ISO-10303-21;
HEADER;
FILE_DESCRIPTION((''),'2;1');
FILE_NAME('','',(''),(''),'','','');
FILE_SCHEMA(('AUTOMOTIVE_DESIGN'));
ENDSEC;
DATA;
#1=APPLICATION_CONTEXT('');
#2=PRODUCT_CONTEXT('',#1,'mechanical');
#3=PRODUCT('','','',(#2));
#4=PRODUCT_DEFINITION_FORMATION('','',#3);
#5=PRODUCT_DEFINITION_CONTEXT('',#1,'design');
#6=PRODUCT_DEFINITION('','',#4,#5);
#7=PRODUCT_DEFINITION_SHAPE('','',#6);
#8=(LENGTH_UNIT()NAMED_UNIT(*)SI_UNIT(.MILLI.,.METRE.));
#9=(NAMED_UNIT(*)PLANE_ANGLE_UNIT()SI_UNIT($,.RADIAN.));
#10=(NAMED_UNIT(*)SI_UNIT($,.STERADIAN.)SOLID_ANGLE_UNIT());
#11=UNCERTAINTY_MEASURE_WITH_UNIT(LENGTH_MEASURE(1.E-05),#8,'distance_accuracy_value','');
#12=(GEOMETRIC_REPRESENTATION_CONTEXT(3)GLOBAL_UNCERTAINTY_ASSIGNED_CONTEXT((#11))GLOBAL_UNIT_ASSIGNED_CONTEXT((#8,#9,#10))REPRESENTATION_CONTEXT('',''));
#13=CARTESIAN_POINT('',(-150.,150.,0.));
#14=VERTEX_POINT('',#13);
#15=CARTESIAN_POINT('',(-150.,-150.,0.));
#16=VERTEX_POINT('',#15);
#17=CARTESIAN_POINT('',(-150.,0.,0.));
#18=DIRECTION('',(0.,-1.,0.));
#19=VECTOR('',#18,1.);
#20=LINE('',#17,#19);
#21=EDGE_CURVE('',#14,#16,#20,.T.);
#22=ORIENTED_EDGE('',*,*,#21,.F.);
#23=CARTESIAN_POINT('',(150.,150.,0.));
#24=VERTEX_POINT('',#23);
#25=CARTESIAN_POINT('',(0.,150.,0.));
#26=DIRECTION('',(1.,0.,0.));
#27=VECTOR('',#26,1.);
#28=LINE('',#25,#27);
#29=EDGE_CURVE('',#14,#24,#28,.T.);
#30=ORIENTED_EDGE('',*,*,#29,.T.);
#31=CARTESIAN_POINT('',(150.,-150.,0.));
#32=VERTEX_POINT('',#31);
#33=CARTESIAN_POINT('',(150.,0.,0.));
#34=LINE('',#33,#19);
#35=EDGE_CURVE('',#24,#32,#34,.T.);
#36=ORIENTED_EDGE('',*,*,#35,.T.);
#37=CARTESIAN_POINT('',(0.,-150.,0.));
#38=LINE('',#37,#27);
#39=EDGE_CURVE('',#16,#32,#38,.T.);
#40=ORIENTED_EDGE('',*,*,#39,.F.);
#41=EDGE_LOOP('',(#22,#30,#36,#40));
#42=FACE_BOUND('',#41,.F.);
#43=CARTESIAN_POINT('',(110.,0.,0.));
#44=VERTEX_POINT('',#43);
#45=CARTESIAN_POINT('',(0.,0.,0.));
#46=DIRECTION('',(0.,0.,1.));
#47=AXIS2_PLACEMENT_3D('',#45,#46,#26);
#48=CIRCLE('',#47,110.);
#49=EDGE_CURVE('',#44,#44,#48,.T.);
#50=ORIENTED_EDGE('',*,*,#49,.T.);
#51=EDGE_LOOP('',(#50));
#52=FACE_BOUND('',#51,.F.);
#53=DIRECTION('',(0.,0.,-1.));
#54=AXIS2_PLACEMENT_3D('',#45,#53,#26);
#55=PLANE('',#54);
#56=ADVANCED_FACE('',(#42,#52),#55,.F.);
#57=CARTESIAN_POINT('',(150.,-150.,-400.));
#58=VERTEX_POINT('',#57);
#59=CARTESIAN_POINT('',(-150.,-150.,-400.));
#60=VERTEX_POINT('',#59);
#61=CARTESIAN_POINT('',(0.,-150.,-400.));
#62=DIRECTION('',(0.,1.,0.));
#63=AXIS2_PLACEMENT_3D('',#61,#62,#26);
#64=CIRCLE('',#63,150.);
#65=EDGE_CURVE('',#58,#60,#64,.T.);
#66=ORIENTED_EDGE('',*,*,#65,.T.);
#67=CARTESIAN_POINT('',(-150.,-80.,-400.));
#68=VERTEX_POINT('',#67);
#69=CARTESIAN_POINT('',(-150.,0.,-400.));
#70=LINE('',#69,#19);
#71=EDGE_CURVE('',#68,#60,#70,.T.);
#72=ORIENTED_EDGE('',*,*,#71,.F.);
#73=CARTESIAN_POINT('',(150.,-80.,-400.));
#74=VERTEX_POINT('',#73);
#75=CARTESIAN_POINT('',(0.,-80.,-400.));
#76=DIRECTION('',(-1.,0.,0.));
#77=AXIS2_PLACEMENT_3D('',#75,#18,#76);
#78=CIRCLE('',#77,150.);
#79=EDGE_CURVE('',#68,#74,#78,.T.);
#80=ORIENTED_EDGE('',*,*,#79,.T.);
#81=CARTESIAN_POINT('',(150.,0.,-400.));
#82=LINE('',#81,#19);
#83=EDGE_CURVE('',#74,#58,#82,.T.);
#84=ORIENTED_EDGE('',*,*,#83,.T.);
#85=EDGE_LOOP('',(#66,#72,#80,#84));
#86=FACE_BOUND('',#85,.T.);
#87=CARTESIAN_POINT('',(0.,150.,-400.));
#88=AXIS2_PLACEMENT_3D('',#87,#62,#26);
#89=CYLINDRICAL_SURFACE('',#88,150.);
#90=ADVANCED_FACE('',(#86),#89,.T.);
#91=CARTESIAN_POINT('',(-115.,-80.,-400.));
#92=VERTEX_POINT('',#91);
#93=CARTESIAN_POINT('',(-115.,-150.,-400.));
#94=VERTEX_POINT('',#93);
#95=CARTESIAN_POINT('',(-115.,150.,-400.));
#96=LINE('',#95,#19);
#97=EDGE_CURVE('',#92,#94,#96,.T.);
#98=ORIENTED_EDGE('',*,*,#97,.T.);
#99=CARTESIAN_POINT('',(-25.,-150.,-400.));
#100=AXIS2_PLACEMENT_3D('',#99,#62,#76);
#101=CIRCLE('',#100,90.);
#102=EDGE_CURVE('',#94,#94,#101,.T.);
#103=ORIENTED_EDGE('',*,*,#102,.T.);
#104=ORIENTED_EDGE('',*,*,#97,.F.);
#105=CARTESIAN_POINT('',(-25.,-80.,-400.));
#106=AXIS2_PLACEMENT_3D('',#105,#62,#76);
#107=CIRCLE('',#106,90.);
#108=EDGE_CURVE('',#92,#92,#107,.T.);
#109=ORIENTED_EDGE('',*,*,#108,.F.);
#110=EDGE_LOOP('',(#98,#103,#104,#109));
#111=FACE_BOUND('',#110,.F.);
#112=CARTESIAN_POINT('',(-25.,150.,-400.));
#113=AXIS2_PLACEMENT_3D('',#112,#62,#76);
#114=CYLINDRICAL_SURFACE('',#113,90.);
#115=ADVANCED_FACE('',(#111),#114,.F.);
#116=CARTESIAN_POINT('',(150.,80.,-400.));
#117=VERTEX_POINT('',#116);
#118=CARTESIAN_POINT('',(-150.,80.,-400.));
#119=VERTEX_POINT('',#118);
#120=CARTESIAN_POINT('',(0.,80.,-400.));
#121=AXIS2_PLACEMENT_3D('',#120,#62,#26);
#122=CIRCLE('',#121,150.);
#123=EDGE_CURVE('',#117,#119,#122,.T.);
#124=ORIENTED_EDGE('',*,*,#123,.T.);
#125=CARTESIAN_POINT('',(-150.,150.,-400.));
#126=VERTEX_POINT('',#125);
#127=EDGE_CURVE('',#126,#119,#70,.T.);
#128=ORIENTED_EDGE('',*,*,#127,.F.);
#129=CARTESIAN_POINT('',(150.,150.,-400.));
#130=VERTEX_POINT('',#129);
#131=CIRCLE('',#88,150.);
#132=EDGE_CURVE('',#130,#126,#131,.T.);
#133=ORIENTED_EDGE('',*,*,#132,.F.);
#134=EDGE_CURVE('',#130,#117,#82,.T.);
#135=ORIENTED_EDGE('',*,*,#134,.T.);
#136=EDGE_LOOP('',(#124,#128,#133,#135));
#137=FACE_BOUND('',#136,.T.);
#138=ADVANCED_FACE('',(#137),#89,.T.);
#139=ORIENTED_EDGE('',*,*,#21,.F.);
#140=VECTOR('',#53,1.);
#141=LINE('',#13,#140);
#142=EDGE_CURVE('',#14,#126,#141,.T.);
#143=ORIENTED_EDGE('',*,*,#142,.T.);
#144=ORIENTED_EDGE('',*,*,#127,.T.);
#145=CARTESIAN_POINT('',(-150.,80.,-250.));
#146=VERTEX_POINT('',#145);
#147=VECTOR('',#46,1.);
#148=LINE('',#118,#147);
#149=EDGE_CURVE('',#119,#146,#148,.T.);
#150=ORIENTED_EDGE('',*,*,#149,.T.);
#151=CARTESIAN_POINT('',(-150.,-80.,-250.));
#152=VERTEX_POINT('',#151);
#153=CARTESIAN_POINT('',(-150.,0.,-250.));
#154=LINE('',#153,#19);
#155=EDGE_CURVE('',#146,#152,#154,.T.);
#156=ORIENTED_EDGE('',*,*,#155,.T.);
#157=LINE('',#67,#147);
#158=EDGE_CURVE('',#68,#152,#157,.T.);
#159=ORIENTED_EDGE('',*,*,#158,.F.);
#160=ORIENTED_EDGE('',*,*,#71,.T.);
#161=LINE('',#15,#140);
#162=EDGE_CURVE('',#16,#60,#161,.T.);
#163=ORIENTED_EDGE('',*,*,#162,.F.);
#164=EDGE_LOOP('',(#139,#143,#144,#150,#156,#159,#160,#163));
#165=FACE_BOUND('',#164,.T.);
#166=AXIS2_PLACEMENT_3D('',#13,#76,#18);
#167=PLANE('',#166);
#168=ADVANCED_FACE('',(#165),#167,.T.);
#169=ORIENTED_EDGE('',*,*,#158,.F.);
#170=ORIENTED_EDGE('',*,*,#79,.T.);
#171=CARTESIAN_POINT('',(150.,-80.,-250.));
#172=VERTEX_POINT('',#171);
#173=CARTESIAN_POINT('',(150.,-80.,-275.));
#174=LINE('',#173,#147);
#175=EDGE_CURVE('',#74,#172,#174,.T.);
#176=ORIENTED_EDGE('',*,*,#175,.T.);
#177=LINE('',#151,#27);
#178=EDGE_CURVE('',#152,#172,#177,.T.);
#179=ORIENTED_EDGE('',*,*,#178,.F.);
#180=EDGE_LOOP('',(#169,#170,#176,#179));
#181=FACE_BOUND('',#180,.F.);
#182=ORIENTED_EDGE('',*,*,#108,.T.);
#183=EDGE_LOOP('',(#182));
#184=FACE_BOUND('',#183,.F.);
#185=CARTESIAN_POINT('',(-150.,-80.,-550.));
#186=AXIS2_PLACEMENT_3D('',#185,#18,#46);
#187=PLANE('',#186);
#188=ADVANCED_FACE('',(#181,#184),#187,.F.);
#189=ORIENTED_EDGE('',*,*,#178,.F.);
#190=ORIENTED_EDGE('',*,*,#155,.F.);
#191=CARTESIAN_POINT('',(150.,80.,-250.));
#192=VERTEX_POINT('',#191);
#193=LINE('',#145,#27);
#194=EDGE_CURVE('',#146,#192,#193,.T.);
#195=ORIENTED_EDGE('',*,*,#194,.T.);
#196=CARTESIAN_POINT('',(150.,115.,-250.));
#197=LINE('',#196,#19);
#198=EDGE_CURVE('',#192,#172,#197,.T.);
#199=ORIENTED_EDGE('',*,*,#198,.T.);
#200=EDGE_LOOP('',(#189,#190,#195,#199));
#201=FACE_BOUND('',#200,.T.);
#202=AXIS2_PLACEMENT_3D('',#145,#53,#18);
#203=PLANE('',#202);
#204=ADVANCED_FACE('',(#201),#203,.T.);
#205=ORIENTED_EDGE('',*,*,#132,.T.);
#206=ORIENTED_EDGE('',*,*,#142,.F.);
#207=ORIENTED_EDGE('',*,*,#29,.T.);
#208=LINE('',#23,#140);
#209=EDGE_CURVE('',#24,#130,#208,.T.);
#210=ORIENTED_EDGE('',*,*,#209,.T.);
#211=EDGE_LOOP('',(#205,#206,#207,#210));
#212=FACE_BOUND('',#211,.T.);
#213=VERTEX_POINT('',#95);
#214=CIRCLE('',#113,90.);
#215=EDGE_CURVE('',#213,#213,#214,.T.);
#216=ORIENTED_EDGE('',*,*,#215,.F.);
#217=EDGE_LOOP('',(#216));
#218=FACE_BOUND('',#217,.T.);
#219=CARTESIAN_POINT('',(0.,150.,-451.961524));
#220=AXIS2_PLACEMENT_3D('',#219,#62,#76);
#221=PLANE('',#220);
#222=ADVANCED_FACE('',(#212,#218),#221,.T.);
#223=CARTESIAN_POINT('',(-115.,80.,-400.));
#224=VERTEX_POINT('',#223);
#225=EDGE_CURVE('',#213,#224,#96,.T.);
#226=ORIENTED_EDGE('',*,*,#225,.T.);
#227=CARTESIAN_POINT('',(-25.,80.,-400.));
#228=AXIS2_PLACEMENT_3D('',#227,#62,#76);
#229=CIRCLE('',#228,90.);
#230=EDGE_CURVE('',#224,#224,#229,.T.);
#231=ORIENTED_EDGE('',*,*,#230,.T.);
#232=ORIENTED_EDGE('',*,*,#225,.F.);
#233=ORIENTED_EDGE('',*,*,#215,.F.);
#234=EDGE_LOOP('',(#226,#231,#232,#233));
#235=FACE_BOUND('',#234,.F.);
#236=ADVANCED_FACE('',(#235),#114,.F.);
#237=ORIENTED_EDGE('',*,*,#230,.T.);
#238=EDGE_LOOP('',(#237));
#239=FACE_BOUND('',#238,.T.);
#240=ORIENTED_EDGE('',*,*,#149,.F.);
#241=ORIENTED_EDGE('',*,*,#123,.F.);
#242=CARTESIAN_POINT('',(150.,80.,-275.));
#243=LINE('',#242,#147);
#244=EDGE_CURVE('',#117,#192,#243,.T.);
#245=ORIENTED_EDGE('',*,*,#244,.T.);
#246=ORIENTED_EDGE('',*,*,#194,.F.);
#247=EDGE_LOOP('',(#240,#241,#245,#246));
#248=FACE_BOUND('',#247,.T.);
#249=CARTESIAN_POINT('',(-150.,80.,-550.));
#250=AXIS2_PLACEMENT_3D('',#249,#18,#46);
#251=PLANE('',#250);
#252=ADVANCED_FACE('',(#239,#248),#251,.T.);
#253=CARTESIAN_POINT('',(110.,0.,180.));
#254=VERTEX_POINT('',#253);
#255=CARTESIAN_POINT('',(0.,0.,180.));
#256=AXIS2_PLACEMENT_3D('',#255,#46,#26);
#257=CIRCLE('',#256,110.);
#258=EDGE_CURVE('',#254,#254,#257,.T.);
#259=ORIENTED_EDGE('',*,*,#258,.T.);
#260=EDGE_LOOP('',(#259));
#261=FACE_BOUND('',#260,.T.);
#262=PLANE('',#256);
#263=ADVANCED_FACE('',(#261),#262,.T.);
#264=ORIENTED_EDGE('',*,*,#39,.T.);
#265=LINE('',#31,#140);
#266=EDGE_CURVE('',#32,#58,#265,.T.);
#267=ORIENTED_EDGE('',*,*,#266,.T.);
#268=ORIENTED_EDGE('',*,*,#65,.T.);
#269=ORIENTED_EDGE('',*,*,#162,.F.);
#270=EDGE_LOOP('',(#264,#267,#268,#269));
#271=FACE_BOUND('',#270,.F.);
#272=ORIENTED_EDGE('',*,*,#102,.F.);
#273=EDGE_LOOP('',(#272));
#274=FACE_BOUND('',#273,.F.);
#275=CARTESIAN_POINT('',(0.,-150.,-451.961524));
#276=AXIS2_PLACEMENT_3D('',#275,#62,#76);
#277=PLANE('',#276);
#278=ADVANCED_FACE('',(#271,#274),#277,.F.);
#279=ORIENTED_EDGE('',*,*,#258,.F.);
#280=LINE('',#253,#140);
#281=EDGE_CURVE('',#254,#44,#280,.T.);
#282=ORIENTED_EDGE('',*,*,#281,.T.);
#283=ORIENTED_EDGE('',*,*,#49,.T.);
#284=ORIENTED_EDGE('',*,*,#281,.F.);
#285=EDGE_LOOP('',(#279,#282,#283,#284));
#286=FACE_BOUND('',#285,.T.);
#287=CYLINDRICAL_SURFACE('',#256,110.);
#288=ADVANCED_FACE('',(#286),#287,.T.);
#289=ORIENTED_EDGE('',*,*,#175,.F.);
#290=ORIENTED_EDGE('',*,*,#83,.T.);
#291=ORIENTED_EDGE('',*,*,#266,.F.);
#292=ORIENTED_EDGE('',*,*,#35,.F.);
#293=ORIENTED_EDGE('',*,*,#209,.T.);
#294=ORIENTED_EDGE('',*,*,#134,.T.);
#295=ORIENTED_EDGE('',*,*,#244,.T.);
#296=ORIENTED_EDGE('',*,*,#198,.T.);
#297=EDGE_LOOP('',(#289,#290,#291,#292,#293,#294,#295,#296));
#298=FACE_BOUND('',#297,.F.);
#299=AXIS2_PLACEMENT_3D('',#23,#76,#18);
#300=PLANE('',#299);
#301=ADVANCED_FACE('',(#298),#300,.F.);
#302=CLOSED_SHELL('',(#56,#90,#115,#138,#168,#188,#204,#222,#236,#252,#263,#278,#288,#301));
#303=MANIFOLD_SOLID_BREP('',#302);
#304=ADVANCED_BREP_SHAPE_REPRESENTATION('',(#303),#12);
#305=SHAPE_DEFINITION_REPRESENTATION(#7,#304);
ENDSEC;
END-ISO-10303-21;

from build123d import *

# Parameters (mm, degrees)
F0_R      = 90
F1_DEPTH  = 180
F2_W      = 300
F2_H      = 300
F3_DEPTH  = 400
F5_DEPTH  = 300
F6_R      = 90
F7_DEPTH  = 300
F8_W      = 160
F8_H      = 300
F9_DEPTH  = 303
F10_R     = 110
F11_DEPTH = 211


with BuildPart() as f1:
    # F0 (on Top) → F1 (new body)
    with BuildSketch(Plane.XY):
        Circle(F0_R)
    extrude(amount=F1_DEPTH)

    # F2 (on face) → F3 (join)
    with BuildSketch(Plane(origin=(0, 0, 0), x_dir=(1, 0, 0), z_dir=(0, 0, -1))):
        Rectangle(F2_W, F2_H)
    extrude(amount=F3_DEPTH)

    # F4 (on face) → F5 (join)
    with BuildSketch(Plane(origin=(0, 150, 0), x_dir=(-1, 0, 0), z_dir=(0, 1, 0))):
        with BuildLine():
            Line((150, -400), (-150, -400))
            ThreePointArc((-150, -400), (0, -550), (150, -400))
        make_face()
    extrude(amount=-F5_DEPTH)

    # F6 (on face) → F7 (cut)
    with BuildSketch(Plane(origin=(0, 150, 0), x_dir=(-1, 0, 0), z_dir=(0, 1, 0))):
        with Locations((25, -400)):
            Circle(F6_R)
    extrude(amount=-F7_DEPTH, mode=Mode.SUBTRACT)

    # F8 (on face) → F9 (cut)
    with BuildSketch(Plane(origin=(-150, 0, 0), x_dir=(0, -1, 0), z_dir=(-1, 0, 0))):
        with Locations((0, -400)):
            Rectangle(F8_W, F8_H)
    extrude(amount=-F9_DEPTH, mode=Mode.SUBTRACT)

    # F10 (on face) → F11 (join)
    with BuildSketch(Plane.XY.offset(180)):
        Circle(F10_R)
    extrude(amount=-F11_DEPTH)


solid = f1.part
